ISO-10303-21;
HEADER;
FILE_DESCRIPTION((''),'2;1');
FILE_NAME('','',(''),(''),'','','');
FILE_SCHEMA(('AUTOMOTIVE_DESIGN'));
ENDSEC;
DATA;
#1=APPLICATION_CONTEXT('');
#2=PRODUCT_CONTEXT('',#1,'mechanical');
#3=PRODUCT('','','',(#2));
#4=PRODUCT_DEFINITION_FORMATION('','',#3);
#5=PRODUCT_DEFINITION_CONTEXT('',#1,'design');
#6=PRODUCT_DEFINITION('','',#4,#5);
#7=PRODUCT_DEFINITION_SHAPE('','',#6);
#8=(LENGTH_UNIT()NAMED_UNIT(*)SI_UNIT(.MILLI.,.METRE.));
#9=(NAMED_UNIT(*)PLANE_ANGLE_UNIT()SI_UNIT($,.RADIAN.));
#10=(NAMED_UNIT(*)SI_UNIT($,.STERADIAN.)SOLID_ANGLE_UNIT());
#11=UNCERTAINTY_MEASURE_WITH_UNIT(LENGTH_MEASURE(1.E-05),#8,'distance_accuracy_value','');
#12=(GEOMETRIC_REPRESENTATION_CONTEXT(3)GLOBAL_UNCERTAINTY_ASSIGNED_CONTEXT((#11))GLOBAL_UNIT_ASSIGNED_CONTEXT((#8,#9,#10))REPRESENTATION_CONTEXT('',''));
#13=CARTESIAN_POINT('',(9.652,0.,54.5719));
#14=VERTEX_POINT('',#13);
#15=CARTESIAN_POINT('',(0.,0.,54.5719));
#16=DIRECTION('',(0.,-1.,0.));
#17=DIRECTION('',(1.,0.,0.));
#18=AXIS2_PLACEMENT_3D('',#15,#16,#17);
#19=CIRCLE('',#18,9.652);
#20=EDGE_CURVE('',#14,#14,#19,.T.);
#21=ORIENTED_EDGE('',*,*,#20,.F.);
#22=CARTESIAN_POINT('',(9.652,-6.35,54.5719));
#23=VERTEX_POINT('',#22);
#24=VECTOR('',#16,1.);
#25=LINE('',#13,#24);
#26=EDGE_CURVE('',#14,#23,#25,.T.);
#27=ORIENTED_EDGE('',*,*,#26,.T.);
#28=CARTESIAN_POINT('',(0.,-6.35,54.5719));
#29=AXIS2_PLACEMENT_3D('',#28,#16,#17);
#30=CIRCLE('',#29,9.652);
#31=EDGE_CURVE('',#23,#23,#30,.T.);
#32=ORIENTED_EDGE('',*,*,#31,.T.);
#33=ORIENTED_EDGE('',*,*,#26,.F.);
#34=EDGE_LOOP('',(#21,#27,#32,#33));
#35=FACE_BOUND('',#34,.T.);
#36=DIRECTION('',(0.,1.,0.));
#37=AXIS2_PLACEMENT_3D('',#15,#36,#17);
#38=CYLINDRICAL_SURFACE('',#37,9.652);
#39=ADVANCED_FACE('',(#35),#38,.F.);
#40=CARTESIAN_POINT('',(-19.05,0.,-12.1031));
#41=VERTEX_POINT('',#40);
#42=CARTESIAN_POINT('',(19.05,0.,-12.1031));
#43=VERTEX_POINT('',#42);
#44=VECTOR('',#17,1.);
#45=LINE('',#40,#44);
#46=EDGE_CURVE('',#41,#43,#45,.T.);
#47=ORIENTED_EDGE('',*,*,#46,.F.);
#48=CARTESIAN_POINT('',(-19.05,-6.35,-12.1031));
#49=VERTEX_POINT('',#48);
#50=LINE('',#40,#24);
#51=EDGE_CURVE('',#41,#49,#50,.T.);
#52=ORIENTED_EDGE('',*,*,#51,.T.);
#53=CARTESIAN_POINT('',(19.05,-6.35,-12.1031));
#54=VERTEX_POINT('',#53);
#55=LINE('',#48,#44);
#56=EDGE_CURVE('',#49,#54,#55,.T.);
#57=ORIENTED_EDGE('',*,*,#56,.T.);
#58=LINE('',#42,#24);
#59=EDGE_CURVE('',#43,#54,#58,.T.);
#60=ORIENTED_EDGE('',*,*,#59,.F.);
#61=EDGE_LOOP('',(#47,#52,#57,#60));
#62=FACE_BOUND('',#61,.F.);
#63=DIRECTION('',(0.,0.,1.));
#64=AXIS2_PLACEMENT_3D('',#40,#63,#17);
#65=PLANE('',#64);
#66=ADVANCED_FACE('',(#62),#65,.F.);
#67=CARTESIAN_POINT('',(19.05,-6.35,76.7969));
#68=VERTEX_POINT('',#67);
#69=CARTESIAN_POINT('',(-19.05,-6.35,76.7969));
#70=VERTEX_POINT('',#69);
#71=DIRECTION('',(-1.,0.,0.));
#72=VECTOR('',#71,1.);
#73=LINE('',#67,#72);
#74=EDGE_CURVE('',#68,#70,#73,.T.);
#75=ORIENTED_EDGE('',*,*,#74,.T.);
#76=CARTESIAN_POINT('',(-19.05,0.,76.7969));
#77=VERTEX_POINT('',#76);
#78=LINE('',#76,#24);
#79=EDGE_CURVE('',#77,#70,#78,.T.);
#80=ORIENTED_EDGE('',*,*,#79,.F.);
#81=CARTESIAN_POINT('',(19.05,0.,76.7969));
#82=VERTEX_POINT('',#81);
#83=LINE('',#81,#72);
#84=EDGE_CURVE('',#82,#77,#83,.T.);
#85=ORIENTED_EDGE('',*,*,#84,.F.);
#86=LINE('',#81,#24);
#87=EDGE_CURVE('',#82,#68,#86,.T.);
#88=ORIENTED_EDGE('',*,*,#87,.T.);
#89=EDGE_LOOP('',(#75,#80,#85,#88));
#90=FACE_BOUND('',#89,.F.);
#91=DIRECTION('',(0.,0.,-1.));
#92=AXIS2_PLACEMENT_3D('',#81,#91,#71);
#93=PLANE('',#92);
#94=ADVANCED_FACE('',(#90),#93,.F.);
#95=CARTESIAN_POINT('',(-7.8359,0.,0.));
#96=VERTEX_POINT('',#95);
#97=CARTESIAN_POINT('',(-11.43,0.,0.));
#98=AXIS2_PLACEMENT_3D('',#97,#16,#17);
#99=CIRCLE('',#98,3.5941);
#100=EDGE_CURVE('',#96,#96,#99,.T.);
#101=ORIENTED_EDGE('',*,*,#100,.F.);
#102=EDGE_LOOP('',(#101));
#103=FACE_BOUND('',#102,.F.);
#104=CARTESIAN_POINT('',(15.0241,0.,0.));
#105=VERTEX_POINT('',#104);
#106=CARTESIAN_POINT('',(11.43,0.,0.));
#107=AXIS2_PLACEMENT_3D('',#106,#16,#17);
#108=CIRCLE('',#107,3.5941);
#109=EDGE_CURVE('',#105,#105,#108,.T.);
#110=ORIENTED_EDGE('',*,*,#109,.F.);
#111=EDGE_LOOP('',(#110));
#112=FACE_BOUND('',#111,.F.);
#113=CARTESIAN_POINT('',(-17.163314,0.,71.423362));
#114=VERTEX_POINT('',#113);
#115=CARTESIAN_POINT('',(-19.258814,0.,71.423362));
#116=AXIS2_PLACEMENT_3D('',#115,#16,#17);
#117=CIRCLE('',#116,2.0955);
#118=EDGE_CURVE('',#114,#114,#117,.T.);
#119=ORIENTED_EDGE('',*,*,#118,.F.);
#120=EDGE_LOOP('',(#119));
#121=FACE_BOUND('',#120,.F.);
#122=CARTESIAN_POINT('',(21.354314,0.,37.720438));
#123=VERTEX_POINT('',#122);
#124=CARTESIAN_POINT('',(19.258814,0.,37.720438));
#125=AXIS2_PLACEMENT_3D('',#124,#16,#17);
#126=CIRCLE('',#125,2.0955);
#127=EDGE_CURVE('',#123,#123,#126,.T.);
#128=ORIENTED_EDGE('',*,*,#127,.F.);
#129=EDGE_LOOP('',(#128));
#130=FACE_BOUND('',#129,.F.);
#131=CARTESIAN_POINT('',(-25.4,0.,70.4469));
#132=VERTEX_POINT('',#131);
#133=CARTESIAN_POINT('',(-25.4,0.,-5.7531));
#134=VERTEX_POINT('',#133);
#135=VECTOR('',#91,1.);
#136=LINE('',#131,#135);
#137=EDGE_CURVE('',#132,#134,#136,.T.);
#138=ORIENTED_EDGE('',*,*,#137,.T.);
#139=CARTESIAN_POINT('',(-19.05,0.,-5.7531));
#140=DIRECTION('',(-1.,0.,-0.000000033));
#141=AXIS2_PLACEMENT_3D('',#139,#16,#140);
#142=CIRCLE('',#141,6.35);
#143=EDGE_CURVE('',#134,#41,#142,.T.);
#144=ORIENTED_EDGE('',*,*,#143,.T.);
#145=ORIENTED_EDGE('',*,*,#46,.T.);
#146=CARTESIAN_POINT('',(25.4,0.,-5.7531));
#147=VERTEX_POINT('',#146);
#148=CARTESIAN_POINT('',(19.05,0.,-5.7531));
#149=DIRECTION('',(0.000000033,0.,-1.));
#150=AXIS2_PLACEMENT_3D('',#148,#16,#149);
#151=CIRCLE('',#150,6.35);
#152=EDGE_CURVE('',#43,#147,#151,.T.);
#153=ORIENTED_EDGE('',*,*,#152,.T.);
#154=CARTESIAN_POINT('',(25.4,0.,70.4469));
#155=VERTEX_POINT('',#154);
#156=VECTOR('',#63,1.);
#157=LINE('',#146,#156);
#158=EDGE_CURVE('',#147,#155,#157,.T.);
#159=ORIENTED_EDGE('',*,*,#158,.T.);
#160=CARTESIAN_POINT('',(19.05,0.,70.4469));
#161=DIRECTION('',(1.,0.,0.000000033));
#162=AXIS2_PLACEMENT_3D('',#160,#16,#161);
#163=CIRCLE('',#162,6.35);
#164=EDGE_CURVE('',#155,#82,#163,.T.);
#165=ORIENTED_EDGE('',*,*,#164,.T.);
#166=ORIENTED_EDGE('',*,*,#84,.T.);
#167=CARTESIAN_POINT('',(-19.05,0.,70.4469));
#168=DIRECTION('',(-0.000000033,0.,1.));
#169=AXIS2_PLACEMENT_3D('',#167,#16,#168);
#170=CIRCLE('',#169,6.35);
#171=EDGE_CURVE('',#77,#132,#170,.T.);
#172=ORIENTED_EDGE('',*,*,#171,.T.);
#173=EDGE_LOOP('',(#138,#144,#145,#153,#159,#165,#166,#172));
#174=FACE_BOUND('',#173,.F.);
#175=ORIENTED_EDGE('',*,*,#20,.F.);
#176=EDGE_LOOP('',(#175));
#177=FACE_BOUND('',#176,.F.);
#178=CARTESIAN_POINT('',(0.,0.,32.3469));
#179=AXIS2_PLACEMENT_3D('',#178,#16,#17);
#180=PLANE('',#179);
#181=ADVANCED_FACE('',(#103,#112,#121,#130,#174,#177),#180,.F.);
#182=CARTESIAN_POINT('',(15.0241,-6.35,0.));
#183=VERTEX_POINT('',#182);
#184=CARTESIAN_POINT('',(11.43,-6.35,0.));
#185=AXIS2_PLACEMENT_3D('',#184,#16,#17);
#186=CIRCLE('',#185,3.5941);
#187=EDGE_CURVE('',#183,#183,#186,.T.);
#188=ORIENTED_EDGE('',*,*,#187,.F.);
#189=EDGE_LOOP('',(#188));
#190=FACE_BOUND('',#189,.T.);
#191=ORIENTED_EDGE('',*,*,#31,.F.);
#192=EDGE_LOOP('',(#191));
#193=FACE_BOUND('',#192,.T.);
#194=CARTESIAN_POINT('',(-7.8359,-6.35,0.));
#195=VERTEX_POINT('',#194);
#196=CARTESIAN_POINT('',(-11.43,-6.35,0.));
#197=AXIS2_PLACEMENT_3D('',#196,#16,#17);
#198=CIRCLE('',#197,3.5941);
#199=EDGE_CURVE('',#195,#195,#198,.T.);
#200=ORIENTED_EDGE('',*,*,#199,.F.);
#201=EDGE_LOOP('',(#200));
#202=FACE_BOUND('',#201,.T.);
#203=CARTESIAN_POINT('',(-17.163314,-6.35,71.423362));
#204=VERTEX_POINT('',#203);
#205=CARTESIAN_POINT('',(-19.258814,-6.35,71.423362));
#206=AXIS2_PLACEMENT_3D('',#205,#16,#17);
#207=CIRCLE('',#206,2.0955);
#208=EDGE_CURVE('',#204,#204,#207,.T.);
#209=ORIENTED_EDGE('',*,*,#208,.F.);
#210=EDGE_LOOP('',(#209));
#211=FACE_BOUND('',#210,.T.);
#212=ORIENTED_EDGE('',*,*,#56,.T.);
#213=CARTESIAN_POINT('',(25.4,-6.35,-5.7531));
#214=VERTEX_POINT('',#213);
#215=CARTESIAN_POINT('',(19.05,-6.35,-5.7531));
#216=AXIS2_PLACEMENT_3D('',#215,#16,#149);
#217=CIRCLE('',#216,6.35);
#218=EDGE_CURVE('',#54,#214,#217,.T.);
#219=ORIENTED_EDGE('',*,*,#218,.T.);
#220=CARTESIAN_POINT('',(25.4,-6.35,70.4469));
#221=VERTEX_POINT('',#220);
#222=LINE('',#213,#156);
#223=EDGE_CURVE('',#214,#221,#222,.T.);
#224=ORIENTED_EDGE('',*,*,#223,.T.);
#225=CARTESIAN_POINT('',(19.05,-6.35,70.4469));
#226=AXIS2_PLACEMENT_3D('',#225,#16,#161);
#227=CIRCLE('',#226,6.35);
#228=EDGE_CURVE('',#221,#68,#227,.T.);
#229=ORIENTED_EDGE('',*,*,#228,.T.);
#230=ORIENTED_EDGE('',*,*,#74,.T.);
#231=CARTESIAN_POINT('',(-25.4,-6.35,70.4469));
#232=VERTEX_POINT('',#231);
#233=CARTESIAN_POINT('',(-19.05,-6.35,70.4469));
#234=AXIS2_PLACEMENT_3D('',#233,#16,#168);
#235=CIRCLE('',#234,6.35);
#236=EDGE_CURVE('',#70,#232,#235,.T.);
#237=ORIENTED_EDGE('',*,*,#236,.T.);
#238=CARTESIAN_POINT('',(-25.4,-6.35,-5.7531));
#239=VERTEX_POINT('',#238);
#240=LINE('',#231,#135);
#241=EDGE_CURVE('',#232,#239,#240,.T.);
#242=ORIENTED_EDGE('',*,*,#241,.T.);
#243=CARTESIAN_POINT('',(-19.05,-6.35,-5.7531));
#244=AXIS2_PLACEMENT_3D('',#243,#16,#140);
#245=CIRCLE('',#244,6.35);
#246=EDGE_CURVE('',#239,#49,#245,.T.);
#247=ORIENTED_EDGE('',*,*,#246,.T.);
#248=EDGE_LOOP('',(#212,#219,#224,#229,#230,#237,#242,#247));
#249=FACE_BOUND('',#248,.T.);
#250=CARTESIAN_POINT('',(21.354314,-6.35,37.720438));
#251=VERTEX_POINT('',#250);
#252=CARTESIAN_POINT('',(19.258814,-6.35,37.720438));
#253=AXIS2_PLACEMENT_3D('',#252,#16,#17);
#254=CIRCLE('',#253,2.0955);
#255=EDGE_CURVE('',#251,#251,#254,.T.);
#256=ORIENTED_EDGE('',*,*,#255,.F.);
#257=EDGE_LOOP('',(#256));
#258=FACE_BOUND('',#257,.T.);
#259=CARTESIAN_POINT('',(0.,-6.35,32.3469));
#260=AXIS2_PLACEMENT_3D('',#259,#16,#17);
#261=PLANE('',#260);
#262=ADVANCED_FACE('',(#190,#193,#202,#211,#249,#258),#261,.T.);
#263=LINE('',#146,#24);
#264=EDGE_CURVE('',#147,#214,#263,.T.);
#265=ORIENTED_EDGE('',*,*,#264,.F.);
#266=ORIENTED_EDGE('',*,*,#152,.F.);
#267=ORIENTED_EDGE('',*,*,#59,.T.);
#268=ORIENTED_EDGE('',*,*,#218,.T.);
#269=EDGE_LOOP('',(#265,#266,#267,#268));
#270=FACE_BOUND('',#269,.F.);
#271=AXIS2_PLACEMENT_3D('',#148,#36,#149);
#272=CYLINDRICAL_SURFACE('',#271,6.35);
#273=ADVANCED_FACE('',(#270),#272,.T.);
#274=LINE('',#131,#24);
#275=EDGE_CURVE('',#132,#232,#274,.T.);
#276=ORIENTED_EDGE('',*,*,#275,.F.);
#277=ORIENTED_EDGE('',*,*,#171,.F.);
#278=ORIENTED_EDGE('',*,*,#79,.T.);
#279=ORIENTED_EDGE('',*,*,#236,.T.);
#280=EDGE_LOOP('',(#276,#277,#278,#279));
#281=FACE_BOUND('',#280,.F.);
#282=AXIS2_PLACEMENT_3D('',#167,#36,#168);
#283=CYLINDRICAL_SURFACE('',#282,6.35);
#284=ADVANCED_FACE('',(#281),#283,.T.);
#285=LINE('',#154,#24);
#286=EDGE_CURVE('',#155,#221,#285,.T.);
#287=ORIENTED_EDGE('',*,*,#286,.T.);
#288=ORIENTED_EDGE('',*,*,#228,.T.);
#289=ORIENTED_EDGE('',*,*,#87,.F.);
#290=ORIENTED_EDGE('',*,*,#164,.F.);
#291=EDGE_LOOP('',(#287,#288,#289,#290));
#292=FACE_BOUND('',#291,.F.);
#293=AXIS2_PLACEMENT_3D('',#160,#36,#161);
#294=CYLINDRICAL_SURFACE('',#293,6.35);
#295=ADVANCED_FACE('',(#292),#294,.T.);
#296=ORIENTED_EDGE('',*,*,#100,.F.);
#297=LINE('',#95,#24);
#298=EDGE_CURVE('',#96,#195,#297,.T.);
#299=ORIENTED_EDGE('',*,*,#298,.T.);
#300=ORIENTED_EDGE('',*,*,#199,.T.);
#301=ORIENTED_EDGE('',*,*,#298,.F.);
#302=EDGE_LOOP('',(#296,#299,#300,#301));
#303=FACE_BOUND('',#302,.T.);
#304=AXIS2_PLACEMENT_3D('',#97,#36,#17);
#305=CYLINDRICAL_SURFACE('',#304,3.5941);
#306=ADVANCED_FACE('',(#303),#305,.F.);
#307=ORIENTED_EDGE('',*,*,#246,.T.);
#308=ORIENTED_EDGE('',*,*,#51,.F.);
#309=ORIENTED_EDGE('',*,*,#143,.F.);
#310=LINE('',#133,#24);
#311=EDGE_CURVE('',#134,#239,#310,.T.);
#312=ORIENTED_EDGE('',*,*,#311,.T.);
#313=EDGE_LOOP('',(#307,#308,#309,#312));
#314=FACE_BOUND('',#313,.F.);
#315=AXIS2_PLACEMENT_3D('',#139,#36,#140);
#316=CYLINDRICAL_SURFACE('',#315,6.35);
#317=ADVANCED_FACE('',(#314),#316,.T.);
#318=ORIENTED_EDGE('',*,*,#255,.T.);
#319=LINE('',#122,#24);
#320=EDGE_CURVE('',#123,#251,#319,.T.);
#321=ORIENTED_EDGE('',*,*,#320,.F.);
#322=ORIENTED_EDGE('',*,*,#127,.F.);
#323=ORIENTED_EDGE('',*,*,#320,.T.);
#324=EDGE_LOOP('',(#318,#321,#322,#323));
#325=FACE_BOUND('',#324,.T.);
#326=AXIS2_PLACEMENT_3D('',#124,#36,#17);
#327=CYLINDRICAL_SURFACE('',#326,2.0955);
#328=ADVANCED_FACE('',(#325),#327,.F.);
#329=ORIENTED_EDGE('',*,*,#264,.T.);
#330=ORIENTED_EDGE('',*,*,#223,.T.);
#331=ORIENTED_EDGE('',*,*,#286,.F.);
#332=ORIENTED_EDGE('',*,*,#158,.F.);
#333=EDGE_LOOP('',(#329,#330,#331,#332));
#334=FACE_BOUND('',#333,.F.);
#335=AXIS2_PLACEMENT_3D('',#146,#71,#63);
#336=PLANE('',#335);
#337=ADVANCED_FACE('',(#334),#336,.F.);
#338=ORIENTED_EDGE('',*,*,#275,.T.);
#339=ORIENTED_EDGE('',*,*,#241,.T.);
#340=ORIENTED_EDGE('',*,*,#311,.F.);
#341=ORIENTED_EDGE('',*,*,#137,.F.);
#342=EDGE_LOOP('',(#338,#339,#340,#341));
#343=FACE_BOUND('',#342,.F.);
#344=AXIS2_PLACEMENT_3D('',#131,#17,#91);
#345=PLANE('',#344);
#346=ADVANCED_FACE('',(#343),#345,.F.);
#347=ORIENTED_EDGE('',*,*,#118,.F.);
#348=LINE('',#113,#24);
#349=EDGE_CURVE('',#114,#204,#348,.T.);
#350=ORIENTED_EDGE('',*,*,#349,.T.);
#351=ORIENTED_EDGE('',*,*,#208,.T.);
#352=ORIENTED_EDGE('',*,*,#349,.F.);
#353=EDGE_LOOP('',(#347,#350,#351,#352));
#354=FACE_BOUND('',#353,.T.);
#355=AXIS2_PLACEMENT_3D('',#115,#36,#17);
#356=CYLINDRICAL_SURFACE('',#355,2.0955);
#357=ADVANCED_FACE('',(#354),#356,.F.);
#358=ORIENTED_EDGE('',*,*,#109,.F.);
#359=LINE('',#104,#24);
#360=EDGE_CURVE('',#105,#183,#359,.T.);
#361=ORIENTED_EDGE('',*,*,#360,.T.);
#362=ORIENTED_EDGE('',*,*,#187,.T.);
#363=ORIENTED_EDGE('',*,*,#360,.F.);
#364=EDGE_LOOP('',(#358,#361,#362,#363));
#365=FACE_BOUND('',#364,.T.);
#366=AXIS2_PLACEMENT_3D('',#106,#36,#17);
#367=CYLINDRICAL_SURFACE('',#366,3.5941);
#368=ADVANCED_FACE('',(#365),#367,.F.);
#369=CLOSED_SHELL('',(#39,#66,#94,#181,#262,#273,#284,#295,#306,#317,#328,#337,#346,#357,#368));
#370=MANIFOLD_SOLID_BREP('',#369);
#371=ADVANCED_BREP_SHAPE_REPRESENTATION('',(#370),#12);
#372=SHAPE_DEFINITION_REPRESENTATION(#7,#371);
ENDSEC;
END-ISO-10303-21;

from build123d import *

# Parameters (mm, degrees)
F0_R     = 3.5941
F0_R_2   = 2.0955
F0_R_3   = 9.652
F1_DEPTH = 6.35


with BuildPart() as f1:
    # F0 (on Front) → F1 (new body)
    with BuildSketch(Plane.XZ):
        with BuildLine():
            Line((-19.05, -12.1031), (19.05, -12.1031))
            ThreePointArc((19.05, -12.1031), (23.540128, -10.243228), (25.4, -5.7531))
            Line((25.4, -5.7531), (25.4, 70.4469))
            ThreePointArc((25.4, 70.4469), (23.540128, 74.937028), (19.05, 76.7969))
            Line((19.05, 76.7969), (-19.05, 76.7969))
            ThreePointArc((-19.05, 76.7969), (-23.540128, 74.937028), (-25.4, 70.4469))
            Line((-25.4, 70.4469), (-25.4, -5.7531))
            ThreePointArc((-25.4, -5.7531), (-23.540128, -10.243228), (-19.05, -12.1031))
        make_face()
        with Locations((-11.43, 0)):
            Circle(F0_R, mode=Mode.SUBTRACT)
        with Locations((11.43, 0)):
            Circle(F0_R, mode=Mode.SUBTRACT)
        with Locations((-19.258814, 71.423362)):
            Circle(F0_R_2, mode=Mode.SUBTRACT)
        with Locations((0, 54.5719)):
            Circle(F0_R_3, mode=Mode.SUBTRACT)
        with Locations((19.258814, 37.720438)):
            Circle(F0_R_2, mode=Mode.SUBTRACT)
    extrude(amount=F1_DEPTH)


solid = f1.part
